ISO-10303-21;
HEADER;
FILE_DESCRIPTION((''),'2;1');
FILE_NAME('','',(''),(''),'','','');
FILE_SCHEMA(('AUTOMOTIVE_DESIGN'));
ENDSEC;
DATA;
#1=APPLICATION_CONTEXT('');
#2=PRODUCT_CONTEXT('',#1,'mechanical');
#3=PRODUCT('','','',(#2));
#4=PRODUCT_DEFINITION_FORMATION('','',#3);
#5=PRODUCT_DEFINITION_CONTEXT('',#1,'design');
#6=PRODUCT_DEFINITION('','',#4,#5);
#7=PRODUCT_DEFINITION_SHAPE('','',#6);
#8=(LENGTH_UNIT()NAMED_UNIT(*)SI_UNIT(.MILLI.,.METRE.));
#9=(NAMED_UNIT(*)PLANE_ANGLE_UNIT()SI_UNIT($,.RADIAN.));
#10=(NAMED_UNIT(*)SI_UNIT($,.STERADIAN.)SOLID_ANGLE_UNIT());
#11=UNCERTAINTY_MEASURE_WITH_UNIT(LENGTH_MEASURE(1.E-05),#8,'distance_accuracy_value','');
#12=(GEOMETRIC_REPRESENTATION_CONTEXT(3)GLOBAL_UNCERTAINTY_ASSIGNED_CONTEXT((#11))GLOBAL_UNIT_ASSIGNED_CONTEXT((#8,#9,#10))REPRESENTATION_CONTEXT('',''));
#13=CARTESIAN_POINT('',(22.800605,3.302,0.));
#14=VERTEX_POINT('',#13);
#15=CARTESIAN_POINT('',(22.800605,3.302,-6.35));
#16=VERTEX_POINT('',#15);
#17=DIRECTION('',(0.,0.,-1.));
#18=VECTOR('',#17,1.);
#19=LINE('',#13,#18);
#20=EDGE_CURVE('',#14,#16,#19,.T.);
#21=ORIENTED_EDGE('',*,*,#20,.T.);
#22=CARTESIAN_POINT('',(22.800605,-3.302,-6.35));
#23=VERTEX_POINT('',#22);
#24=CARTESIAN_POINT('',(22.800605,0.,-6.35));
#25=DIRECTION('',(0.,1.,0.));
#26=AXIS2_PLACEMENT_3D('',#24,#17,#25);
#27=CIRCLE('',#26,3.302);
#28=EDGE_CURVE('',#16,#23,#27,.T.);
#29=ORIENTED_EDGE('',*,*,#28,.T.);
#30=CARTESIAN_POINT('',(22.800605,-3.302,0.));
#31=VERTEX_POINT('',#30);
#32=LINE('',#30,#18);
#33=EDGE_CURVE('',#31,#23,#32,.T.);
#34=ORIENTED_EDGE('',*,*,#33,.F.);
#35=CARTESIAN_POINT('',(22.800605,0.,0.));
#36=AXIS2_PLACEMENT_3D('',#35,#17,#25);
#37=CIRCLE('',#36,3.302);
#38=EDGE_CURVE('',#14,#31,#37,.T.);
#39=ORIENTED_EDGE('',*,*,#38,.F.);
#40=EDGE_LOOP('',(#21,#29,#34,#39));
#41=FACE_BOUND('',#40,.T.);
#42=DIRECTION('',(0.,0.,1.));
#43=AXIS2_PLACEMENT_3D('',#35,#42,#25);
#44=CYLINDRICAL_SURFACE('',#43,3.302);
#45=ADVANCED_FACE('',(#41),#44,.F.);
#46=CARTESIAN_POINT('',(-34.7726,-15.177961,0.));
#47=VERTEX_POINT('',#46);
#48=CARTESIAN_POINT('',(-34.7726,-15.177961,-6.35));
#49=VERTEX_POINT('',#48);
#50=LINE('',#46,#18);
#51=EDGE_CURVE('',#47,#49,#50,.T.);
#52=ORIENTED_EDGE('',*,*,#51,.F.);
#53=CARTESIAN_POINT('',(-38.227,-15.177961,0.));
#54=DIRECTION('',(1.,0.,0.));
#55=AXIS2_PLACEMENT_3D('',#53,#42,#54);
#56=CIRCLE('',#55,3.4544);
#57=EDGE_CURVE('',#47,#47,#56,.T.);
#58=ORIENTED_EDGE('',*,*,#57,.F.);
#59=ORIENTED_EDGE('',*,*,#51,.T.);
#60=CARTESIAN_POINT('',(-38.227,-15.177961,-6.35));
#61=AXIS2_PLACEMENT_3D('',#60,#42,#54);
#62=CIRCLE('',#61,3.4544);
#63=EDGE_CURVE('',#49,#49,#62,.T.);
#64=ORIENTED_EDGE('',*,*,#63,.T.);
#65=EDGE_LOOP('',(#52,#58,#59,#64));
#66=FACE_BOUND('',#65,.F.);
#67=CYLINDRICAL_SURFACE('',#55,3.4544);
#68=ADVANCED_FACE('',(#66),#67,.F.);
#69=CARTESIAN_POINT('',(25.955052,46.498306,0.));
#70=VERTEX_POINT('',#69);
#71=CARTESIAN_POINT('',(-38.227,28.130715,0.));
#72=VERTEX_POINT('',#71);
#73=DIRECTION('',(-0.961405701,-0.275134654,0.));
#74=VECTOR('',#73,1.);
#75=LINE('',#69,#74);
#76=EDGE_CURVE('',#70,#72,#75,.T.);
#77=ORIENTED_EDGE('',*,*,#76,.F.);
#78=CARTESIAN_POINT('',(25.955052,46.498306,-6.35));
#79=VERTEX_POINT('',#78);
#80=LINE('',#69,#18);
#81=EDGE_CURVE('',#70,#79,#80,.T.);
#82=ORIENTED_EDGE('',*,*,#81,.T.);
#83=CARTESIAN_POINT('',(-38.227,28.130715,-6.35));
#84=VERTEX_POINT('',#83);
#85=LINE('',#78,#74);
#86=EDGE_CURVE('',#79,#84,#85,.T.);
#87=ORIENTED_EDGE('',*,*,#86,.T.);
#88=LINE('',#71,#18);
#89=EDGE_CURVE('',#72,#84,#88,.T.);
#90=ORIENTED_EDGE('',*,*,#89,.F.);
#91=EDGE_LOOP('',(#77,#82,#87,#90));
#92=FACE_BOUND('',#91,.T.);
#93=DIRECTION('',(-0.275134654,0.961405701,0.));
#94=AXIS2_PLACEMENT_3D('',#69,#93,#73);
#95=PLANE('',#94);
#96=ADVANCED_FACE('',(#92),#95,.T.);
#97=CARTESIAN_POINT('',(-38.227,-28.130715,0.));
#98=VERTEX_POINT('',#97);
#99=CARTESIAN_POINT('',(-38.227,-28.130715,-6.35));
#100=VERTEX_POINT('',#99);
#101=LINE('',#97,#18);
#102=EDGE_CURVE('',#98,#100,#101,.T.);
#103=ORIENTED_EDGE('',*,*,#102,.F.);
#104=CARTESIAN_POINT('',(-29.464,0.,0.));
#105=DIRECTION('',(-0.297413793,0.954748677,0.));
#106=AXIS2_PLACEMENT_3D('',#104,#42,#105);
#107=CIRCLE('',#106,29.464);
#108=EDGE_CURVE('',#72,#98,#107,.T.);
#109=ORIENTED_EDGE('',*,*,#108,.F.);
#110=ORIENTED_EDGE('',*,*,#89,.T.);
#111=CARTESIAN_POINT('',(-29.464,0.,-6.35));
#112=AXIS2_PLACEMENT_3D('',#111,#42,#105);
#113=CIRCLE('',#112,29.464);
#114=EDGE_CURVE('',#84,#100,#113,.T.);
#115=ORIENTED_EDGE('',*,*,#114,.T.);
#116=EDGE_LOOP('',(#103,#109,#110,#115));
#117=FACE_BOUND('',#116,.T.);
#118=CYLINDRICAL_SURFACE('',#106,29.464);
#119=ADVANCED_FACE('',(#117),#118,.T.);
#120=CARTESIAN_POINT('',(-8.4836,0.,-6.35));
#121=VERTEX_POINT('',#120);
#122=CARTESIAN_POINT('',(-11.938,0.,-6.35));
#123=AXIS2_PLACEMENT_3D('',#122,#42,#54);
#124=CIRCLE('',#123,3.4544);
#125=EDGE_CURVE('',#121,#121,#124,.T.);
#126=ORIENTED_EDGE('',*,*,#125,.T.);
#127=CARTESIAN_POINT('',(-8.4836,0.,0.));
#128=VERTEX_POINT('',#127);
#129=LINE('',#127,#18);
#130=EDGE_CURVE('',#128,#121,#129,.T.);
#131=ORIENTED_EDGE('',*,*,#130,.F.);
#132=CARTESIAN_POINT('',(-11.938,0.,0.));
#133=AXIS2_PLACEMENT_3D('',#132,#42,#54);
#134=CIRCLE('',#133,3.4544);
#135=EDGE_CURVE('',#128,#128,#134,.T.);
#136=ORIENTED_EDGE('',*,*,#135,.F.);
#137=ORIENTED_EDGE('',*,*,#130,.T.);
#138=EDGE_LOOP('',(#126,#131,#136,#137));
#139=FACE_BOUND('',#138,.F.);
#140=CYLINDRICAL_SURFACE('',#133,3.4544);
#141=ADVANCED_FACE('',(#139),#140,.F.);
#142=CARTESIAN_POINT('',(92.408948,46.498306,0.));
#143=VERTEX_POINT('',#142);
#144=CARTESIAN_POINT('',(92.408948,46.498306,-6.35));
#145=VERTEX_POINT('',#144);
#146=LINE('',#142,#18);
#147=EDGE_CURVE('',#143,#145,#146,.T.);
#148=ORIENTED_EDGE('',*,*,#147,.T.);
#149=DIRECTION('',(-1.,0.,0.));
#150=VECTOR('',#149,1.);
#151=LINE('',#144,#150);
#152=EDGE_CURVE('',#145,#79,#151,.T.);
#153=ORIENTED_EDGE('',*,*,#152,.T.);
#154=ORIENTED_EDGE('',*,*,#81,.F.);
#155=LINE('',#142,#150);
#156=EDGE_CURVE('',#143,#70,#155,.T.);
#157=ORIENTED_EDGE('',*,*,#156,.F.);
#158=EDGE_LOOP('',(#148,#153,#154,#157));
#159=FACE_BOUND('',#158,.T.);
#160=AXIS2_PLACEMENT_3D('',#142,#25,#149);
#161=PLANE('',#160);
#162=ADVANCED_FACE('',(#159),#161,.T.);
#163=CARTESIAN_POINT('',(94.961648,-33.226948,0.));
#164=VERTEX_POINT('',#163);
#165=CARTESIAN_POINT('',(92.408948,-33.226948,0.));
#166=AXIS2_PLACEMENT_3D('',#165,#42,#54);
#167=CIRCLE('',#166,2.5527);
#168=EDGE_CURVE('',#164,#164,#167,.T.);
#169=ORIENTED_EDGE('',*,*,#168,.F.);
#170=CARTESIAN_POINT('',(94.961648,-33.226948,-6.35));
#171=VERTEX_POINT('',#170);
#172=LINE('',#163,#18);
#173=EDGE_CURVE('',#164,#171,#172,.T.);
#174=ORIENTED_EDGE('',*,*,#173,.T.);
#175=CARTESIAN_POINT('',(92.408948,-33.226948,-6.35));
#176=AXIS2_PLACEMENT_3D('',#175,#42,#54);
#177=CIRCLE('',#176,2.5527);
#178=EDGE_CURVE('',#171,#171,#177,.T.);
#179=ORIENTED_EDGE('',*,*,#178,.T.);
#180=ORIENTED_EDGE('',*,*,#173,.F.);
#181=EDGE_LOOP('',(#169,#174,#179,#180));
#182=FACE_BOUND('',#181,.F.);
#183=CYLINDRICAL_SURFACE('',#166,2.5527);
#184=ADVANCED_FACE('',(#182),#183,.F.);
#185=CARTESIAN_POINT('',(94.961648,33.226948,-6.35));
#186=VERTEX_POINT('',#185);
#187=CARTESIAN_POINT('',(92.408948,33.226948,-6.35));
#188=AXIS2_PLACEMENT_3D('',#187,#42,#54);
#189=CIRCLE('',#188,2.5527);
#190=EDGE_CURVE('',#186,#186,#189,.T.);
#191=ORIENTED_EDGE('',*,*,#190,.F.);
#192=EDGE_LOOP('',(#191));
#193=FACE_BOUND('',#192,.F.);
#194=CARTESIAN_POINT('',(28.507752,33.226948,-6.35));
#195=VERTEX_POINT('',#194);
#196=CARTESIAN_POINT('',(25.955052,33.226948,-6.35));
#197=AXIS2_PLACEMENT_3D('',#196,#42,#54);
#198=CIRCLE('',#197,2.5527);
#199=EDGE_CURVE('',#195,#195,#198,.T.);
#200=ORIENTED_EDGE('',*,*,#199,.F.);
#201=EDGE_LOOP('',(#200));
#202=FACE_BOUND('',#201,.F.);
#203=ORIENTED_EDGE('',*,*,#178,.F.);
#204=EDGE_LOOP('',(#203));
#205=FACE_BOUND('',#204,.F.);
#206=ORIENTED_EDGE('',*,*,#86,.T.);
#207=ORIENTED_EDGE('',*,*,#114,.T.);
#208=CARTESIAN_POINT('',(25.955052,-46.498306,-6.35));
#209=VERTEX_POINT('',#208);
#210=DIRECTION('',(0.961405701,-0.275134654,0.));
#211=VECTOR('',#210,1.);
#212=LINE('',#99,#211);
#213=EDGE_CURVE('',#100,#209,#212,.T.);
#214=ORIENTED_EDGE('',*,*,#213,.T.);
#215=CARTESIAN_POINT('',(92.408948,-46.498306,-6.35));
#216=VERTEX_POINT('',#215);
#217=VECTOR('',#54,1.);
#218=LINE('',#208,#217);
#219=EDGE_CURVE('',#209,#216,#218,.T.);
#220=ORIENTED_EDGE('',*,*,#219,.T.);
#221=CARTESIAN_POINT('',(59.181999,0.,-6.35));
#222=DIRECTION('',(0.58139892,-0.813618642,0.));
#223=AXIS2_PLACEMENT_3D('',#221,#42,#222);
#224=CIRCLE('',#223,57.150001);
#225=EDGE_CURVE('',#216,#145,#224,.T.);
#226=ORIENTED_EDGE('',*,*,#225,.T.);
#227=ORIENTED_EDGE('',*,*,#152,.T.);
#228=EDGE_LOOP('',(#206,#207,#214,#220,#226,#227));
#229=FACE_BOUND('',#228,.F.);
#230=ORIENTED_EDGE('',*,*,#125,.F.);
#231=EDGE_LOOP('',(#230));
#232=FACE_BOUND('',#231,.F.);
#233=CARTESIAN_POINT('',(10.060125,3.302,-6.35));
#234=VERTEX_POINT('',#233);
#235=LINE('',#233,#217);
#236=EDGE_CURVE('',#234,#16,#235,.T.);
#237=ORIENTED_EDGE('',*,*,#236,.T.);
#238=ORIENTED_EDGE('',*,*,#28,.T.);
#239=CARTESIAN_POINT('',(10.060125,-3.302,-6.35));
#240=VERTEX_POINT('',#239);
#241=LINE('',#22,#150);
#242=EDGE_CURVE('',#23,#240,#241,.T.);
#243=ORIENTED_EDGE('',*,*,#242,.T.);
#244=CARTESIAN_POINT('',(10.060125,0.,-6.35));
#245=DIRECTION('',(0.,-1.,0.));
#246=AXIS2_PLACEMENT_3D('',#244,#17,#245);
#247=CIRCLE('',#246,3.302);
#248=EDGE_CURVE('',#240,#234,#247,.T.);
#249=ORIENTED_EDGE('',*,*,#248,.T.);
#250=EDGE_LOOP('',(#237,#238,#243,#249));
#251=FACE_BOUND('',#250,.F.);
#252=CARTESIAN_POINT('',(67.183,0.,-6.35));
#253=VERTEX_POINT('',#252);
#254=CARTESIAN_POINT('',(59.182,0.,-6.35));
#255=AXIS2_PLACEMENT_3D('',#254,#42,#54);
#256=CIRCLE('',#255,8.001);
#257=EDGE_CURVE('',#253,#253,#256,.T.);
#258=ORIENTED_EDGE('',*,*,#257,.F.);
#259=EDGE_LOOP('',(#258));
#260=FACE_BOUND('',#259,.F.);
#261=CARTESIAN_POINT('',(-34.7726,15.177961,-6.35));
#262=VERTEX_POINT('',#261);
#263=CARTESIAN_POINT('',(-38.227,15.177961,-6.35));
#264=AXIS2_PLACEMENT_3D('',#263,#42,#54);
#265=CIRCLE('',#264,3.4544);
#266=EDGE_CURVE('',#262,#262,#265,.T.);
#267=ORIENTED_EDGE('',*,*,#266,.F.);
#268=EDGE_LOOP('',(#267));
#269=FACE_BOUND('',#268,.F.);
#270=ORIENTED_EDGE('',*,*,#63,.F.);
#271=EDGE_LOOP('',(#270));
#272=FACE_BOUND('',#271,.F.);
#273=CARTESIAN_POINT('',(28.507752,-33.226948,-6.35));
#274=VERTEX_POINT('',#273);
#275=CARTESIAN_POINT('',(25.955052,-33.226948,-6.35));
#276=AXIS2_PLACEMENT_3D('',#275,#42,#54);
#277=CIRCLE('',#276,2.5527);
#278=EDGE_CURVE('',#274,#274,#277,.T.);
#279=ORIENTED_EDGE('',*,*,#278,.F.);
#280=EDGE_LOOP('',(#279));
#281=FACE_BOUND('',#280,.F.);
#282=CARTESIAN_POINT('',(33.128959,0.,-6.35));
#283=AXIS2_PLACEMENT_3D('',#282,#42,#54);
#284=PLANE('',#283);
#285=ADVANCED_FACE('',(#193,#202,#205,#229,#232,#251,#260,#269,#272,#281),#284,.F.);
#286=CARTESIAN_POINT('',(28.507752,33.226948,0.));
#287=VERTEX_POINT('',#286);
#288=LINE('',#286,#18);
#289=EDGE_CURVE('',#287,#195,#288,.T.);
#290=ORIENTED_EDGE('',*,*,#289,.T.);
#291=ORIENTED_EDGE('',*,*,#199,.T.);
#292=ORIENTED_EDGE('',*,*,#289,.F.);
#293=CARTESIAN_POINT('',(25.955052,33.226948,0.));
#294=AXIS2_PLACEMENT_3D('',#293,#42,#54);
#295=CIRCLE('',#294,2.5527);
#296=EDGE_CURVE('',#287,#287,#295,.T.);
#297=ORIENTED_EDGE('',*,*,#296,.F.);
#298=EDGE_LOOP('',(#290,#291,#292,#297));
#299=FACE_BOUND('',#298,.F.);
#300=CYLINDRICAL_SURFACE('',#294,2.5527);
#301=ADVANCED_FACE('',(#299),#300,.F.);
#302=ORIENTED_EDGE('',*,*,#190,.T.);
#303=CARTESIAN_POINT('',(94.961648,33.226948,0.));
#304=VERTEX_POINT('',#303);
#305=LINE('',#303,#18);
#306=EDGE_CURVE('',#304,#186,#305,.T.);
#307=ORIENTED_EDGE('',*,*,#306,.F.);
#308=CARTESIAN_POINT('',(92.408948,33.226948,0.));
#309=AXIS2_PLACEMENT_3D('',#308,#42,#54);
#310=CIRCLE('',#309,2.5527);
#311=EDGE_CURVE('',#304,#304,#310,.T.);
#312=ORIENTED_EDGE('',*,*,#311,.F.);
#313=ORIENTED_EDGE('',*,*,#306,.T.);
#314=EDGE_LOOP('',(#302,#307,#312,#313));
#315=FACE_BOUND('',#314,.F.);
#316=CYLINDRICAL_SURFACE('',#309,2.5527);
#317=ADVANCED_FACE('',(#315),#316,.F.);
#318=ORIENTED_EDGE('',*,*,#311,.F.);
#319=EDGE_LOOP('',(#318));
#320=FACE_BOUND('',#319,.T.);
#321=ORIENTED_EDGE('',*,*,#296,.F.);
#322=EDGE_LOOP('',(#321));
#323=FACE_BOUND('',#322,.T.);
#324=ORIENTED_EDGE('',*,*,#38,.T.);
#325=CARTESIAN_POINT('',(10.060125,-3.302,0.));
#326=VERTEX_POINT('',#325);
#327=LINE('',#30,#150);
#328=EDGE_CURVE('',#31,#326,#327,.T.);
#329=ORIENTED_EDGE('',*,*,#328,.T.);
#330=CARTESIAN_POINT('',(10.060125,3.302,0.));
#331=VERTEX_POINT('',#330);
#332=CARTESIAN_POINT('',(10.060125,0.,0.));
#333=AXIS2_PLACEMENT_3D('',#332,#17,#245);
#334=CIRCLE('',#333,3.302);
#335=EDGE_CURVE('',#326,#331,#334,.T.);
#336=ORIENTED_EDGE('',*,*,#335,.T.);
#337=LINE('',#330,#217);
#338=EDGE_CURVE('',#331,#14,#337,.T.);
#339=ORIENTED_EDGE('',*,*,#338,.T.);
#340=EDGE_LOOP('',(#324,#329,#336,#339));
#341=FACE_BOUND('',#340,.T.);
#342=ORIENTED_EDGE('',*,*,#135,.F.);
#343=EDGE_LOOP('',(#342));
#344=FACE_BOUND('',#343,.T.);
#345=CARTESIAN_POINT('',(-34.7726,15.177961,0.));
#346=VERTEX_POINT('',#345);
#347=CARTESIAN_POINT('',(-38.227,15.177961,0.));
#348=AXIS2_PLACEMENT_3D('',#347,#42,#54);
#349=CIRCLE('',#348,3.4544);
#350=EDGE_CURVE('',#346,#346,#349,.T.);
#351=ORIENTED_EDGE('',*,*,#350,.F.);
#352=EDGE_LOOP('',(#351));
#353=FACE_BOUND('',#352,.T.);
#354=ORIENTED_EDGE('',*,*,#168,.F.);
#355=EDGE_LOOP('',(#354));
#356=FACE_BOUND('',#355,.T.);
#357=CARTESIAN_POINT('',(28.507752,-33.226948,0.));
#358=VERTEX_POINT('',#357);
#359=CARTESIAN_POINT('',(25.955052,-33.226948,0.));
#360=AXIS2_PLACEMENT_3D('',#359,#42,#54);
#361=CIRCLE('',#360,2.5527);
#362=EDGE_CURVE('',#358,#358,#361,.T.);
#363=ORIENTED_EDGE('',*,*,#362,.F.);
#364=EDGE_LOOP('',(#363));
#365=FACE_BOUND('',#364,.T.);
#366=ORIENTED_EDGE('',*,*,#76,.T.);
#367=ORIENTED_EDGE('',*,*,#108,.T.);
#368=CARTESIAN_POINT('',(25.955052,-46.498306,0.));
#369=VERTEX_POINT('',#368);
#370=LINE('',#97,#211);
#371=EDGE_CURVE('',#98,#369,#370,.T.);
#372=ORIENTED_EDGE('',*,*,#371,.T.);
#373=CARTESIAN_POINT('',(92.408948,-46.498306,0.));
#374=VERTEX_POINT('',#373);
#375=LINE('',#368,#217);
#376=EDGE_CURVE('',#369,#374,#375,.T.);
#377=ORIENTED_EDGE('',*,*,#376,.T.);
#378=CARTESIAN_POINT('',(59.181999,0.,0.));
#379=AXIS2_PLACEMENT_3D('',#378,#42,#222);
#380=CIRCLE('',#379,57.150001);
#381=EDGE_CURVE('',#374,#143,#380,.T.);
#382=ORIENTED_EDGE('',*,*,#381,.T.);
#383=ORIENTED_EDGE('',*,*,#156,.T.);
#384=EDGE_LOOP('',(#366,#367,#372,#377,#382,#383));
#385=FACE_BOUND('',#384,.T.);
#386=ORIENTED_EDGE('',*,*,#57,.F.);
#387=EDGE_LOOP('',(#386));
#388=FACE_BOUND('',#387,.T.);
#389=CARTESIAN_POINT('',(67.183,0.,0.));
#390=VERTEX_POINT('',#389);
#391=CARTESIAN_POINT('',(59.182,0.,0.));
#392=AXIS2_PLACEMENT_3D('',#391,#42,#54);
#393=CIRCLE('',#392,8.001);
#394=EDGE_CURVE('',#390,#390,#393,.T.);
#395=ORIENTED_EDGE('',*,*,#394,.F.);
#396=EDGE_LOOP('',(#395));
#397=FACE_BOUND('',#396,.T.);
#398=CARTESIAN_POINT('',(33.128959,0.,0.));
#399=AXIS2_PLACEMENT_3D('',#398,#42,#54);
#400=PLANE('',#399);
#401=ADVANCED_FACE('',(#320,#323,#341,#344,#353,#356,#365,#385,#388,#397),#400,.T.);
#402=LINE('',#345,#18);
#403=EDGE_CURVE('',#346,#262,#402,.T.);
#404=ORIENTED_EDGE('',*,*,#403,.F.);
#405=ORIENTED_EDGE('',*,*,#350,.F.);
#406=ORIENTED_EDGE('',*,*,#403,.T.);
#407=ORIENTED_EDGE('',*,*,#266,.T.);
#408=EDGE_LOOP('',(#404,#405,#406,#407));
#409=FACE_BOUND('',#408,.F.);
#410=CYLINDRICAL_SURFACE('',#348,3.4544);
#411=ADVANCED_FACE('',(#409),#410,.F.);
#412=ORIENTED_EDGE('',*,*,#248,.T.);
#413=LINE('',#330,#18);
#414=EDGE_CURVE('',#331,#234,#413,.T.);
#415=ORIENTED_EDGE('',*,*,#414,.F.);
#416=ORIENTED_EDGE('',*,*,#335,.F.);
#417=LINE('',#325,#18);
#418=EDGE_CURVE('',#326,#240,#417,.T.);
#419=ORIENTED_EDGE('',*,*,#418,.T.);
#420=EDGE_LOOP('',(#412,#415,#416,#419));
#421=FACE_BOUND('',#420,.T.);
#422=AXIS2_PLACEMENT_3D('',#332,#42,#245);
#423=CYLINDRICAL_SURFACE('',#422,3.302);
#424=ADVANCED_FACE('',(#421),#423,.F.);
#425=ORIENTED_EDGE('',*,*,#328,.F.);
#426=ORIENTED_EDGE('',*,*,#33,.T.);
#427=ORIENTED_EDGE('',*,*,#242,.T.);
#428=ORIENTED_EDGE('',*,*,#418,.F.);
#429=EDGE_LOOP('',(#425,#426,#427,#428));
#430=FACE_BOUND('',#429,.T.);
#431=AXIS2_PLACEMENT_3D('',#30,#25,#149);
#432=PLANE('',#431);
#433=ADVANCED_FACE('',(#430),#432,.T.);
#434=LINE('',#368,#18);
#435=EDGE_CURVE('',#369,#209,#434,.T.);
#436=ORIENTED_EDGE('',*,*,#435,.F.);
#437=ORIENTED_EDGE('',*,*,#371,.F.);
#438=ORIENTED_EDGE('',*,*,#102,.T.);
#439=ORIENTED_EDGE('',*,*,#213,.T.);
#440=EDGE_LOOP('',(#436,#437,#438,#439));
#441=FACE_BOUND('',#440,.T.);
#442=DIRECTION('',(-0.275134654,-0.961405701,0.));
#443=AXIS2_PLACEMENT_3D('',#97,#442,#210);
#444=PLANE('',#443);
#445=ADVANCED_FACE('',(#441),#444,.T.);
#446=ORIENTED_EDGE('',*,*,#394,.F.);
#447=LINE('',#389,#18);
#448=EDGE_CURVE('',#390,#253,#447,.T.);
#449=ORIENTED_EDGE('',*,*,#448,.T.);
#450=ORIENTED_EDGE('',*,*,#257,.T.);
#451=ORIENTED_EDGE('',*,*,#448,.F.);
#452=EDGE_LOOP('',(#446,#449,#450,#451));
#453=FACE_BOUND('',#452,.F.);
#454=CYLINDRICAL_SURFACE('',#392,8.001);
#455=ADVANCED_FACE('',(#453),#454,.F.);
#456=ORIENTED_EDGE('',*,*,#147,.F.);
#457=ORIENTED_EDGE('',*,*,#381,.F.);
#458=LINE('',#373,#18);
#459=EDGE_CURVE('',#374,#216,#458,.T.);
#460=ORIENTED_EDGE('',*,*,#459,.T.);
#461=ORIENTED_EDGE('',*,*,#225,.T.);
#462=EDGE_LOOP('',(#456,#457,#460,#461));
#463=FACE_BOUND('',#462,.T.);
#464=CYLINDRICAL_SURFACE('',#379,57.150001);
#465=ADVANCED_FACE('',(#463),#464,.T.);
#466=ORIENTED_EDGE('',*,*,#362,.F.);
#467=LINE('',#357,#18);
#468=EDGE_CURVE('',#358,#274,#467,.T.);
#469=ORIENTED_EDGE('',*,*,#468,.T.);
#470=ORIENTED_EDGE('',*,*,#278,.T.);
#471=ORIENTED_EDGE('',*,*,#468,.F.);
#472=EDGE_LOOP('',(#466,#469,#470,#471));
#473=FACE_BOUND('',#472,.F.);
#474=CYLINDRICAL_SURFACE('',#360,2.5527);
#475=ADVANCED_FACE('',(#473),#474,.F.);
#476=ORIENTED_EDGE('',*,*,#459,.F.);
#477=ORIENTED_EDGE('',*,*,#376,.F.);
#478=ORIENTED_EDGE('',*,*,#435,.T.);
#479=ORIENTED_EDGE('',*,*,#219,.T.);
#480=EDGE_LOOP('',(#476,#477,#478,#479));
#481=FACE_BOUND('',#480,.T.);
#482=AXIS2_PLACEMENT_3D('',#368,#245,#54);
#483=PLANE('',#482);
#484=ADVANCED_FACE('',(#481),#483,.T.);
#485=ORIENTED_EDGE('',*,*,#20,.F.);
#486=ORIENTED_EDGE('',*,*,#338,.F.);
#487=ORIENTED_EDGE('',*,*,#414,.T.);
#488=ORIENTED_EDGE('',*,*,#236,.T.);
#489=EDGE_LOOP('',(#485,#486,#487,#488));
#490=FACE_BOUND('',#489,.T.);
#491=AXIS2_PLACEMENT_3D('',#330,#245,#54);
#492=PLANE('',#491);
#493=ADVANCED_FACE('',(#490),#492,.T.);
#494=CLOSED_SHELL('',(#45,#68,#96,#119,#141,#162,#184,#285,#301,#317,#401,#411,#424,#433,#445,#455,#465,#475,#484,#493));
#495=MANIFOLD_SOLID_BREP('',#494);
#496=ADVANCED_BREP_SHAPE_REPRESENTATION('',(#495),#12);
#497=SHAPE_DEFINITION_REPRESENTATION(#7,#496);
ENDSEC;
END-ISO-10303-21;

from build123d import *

# Parameters (mm, degrees)
F0_R     = 2.5527
F0_R_2   = 3.4544
F0_R_3   = 8.001
F1_DEPTH = 6.35


with BuildPart() as f1:
    # F0 (on Top) → F1 (new body)
    with BuildSketch(Plane.XY):
        with BuildLine():
            Line((92.408948, 46.498306), (25.955052, 46.498306))
            Line((25.955052, 46.498306), (-38.227, 28.130715))
            ThreePointArc((-38.227, 28.130715), (-58.928, 0), (-38.227, -28.130715))
            Line((-38.227, -28.130715), (25.955052, -46.498306))
            Line((25.955052, -46.498306), (92.408948, -46.498306))
            ThreePointArc((92.408948, -46.498306), (116.332, 0), (92.408948, 46.498306))
        make_face()
        with Locations((25.955052, -33.226948)):
            Circle(F0_R, mode=Mode.SUBTRACT)
        with Locations((-38.227, -15.177961)):
            Circle(F0_R_2, mode=Mode.SUBTRACT)
        with Locations((92.408948, -33.226948)):
            Circle(F0_R, mode=Mode.SUBTRACT)
        with Locations((-38.227, 15.177961)):
            Circle(F0_R_2, mode=Mode.SUBTRACT)
        with Locations((-11.938, 0)):
            Circle(F0_R_2, mode=Mode.SUBTRACT)
        with BuildLine():
            ThreePointArc((22.800605, 3.302), (26.102605, 0), (22.800605, -3.302))
            Line((22.800605, -3.302), (10.060125, -3.302))
            ThreePointArc((10.060125, -3.302), (6.758125, 0), (10.060125, 3.302))
            Line((10.060125, 3.302), (22.800605, 3.302))
        make_face(mode=Mode.SUBTRACT)
        with Locations((25.955052, 33.226948)):
            Circle(F0_R, mode=Mode.SUBTRACT)
        with Locations((59.182, 0)):
            Circle(F0_R_3, mode=Mode.SUBTRACT)
        with Locations((92.408948, 33.226948)):
            Circle(F0_R, mode=Mode.SUBTRACT)
    extrude(amount=-F1_DEPTH)


solid = f1.part
